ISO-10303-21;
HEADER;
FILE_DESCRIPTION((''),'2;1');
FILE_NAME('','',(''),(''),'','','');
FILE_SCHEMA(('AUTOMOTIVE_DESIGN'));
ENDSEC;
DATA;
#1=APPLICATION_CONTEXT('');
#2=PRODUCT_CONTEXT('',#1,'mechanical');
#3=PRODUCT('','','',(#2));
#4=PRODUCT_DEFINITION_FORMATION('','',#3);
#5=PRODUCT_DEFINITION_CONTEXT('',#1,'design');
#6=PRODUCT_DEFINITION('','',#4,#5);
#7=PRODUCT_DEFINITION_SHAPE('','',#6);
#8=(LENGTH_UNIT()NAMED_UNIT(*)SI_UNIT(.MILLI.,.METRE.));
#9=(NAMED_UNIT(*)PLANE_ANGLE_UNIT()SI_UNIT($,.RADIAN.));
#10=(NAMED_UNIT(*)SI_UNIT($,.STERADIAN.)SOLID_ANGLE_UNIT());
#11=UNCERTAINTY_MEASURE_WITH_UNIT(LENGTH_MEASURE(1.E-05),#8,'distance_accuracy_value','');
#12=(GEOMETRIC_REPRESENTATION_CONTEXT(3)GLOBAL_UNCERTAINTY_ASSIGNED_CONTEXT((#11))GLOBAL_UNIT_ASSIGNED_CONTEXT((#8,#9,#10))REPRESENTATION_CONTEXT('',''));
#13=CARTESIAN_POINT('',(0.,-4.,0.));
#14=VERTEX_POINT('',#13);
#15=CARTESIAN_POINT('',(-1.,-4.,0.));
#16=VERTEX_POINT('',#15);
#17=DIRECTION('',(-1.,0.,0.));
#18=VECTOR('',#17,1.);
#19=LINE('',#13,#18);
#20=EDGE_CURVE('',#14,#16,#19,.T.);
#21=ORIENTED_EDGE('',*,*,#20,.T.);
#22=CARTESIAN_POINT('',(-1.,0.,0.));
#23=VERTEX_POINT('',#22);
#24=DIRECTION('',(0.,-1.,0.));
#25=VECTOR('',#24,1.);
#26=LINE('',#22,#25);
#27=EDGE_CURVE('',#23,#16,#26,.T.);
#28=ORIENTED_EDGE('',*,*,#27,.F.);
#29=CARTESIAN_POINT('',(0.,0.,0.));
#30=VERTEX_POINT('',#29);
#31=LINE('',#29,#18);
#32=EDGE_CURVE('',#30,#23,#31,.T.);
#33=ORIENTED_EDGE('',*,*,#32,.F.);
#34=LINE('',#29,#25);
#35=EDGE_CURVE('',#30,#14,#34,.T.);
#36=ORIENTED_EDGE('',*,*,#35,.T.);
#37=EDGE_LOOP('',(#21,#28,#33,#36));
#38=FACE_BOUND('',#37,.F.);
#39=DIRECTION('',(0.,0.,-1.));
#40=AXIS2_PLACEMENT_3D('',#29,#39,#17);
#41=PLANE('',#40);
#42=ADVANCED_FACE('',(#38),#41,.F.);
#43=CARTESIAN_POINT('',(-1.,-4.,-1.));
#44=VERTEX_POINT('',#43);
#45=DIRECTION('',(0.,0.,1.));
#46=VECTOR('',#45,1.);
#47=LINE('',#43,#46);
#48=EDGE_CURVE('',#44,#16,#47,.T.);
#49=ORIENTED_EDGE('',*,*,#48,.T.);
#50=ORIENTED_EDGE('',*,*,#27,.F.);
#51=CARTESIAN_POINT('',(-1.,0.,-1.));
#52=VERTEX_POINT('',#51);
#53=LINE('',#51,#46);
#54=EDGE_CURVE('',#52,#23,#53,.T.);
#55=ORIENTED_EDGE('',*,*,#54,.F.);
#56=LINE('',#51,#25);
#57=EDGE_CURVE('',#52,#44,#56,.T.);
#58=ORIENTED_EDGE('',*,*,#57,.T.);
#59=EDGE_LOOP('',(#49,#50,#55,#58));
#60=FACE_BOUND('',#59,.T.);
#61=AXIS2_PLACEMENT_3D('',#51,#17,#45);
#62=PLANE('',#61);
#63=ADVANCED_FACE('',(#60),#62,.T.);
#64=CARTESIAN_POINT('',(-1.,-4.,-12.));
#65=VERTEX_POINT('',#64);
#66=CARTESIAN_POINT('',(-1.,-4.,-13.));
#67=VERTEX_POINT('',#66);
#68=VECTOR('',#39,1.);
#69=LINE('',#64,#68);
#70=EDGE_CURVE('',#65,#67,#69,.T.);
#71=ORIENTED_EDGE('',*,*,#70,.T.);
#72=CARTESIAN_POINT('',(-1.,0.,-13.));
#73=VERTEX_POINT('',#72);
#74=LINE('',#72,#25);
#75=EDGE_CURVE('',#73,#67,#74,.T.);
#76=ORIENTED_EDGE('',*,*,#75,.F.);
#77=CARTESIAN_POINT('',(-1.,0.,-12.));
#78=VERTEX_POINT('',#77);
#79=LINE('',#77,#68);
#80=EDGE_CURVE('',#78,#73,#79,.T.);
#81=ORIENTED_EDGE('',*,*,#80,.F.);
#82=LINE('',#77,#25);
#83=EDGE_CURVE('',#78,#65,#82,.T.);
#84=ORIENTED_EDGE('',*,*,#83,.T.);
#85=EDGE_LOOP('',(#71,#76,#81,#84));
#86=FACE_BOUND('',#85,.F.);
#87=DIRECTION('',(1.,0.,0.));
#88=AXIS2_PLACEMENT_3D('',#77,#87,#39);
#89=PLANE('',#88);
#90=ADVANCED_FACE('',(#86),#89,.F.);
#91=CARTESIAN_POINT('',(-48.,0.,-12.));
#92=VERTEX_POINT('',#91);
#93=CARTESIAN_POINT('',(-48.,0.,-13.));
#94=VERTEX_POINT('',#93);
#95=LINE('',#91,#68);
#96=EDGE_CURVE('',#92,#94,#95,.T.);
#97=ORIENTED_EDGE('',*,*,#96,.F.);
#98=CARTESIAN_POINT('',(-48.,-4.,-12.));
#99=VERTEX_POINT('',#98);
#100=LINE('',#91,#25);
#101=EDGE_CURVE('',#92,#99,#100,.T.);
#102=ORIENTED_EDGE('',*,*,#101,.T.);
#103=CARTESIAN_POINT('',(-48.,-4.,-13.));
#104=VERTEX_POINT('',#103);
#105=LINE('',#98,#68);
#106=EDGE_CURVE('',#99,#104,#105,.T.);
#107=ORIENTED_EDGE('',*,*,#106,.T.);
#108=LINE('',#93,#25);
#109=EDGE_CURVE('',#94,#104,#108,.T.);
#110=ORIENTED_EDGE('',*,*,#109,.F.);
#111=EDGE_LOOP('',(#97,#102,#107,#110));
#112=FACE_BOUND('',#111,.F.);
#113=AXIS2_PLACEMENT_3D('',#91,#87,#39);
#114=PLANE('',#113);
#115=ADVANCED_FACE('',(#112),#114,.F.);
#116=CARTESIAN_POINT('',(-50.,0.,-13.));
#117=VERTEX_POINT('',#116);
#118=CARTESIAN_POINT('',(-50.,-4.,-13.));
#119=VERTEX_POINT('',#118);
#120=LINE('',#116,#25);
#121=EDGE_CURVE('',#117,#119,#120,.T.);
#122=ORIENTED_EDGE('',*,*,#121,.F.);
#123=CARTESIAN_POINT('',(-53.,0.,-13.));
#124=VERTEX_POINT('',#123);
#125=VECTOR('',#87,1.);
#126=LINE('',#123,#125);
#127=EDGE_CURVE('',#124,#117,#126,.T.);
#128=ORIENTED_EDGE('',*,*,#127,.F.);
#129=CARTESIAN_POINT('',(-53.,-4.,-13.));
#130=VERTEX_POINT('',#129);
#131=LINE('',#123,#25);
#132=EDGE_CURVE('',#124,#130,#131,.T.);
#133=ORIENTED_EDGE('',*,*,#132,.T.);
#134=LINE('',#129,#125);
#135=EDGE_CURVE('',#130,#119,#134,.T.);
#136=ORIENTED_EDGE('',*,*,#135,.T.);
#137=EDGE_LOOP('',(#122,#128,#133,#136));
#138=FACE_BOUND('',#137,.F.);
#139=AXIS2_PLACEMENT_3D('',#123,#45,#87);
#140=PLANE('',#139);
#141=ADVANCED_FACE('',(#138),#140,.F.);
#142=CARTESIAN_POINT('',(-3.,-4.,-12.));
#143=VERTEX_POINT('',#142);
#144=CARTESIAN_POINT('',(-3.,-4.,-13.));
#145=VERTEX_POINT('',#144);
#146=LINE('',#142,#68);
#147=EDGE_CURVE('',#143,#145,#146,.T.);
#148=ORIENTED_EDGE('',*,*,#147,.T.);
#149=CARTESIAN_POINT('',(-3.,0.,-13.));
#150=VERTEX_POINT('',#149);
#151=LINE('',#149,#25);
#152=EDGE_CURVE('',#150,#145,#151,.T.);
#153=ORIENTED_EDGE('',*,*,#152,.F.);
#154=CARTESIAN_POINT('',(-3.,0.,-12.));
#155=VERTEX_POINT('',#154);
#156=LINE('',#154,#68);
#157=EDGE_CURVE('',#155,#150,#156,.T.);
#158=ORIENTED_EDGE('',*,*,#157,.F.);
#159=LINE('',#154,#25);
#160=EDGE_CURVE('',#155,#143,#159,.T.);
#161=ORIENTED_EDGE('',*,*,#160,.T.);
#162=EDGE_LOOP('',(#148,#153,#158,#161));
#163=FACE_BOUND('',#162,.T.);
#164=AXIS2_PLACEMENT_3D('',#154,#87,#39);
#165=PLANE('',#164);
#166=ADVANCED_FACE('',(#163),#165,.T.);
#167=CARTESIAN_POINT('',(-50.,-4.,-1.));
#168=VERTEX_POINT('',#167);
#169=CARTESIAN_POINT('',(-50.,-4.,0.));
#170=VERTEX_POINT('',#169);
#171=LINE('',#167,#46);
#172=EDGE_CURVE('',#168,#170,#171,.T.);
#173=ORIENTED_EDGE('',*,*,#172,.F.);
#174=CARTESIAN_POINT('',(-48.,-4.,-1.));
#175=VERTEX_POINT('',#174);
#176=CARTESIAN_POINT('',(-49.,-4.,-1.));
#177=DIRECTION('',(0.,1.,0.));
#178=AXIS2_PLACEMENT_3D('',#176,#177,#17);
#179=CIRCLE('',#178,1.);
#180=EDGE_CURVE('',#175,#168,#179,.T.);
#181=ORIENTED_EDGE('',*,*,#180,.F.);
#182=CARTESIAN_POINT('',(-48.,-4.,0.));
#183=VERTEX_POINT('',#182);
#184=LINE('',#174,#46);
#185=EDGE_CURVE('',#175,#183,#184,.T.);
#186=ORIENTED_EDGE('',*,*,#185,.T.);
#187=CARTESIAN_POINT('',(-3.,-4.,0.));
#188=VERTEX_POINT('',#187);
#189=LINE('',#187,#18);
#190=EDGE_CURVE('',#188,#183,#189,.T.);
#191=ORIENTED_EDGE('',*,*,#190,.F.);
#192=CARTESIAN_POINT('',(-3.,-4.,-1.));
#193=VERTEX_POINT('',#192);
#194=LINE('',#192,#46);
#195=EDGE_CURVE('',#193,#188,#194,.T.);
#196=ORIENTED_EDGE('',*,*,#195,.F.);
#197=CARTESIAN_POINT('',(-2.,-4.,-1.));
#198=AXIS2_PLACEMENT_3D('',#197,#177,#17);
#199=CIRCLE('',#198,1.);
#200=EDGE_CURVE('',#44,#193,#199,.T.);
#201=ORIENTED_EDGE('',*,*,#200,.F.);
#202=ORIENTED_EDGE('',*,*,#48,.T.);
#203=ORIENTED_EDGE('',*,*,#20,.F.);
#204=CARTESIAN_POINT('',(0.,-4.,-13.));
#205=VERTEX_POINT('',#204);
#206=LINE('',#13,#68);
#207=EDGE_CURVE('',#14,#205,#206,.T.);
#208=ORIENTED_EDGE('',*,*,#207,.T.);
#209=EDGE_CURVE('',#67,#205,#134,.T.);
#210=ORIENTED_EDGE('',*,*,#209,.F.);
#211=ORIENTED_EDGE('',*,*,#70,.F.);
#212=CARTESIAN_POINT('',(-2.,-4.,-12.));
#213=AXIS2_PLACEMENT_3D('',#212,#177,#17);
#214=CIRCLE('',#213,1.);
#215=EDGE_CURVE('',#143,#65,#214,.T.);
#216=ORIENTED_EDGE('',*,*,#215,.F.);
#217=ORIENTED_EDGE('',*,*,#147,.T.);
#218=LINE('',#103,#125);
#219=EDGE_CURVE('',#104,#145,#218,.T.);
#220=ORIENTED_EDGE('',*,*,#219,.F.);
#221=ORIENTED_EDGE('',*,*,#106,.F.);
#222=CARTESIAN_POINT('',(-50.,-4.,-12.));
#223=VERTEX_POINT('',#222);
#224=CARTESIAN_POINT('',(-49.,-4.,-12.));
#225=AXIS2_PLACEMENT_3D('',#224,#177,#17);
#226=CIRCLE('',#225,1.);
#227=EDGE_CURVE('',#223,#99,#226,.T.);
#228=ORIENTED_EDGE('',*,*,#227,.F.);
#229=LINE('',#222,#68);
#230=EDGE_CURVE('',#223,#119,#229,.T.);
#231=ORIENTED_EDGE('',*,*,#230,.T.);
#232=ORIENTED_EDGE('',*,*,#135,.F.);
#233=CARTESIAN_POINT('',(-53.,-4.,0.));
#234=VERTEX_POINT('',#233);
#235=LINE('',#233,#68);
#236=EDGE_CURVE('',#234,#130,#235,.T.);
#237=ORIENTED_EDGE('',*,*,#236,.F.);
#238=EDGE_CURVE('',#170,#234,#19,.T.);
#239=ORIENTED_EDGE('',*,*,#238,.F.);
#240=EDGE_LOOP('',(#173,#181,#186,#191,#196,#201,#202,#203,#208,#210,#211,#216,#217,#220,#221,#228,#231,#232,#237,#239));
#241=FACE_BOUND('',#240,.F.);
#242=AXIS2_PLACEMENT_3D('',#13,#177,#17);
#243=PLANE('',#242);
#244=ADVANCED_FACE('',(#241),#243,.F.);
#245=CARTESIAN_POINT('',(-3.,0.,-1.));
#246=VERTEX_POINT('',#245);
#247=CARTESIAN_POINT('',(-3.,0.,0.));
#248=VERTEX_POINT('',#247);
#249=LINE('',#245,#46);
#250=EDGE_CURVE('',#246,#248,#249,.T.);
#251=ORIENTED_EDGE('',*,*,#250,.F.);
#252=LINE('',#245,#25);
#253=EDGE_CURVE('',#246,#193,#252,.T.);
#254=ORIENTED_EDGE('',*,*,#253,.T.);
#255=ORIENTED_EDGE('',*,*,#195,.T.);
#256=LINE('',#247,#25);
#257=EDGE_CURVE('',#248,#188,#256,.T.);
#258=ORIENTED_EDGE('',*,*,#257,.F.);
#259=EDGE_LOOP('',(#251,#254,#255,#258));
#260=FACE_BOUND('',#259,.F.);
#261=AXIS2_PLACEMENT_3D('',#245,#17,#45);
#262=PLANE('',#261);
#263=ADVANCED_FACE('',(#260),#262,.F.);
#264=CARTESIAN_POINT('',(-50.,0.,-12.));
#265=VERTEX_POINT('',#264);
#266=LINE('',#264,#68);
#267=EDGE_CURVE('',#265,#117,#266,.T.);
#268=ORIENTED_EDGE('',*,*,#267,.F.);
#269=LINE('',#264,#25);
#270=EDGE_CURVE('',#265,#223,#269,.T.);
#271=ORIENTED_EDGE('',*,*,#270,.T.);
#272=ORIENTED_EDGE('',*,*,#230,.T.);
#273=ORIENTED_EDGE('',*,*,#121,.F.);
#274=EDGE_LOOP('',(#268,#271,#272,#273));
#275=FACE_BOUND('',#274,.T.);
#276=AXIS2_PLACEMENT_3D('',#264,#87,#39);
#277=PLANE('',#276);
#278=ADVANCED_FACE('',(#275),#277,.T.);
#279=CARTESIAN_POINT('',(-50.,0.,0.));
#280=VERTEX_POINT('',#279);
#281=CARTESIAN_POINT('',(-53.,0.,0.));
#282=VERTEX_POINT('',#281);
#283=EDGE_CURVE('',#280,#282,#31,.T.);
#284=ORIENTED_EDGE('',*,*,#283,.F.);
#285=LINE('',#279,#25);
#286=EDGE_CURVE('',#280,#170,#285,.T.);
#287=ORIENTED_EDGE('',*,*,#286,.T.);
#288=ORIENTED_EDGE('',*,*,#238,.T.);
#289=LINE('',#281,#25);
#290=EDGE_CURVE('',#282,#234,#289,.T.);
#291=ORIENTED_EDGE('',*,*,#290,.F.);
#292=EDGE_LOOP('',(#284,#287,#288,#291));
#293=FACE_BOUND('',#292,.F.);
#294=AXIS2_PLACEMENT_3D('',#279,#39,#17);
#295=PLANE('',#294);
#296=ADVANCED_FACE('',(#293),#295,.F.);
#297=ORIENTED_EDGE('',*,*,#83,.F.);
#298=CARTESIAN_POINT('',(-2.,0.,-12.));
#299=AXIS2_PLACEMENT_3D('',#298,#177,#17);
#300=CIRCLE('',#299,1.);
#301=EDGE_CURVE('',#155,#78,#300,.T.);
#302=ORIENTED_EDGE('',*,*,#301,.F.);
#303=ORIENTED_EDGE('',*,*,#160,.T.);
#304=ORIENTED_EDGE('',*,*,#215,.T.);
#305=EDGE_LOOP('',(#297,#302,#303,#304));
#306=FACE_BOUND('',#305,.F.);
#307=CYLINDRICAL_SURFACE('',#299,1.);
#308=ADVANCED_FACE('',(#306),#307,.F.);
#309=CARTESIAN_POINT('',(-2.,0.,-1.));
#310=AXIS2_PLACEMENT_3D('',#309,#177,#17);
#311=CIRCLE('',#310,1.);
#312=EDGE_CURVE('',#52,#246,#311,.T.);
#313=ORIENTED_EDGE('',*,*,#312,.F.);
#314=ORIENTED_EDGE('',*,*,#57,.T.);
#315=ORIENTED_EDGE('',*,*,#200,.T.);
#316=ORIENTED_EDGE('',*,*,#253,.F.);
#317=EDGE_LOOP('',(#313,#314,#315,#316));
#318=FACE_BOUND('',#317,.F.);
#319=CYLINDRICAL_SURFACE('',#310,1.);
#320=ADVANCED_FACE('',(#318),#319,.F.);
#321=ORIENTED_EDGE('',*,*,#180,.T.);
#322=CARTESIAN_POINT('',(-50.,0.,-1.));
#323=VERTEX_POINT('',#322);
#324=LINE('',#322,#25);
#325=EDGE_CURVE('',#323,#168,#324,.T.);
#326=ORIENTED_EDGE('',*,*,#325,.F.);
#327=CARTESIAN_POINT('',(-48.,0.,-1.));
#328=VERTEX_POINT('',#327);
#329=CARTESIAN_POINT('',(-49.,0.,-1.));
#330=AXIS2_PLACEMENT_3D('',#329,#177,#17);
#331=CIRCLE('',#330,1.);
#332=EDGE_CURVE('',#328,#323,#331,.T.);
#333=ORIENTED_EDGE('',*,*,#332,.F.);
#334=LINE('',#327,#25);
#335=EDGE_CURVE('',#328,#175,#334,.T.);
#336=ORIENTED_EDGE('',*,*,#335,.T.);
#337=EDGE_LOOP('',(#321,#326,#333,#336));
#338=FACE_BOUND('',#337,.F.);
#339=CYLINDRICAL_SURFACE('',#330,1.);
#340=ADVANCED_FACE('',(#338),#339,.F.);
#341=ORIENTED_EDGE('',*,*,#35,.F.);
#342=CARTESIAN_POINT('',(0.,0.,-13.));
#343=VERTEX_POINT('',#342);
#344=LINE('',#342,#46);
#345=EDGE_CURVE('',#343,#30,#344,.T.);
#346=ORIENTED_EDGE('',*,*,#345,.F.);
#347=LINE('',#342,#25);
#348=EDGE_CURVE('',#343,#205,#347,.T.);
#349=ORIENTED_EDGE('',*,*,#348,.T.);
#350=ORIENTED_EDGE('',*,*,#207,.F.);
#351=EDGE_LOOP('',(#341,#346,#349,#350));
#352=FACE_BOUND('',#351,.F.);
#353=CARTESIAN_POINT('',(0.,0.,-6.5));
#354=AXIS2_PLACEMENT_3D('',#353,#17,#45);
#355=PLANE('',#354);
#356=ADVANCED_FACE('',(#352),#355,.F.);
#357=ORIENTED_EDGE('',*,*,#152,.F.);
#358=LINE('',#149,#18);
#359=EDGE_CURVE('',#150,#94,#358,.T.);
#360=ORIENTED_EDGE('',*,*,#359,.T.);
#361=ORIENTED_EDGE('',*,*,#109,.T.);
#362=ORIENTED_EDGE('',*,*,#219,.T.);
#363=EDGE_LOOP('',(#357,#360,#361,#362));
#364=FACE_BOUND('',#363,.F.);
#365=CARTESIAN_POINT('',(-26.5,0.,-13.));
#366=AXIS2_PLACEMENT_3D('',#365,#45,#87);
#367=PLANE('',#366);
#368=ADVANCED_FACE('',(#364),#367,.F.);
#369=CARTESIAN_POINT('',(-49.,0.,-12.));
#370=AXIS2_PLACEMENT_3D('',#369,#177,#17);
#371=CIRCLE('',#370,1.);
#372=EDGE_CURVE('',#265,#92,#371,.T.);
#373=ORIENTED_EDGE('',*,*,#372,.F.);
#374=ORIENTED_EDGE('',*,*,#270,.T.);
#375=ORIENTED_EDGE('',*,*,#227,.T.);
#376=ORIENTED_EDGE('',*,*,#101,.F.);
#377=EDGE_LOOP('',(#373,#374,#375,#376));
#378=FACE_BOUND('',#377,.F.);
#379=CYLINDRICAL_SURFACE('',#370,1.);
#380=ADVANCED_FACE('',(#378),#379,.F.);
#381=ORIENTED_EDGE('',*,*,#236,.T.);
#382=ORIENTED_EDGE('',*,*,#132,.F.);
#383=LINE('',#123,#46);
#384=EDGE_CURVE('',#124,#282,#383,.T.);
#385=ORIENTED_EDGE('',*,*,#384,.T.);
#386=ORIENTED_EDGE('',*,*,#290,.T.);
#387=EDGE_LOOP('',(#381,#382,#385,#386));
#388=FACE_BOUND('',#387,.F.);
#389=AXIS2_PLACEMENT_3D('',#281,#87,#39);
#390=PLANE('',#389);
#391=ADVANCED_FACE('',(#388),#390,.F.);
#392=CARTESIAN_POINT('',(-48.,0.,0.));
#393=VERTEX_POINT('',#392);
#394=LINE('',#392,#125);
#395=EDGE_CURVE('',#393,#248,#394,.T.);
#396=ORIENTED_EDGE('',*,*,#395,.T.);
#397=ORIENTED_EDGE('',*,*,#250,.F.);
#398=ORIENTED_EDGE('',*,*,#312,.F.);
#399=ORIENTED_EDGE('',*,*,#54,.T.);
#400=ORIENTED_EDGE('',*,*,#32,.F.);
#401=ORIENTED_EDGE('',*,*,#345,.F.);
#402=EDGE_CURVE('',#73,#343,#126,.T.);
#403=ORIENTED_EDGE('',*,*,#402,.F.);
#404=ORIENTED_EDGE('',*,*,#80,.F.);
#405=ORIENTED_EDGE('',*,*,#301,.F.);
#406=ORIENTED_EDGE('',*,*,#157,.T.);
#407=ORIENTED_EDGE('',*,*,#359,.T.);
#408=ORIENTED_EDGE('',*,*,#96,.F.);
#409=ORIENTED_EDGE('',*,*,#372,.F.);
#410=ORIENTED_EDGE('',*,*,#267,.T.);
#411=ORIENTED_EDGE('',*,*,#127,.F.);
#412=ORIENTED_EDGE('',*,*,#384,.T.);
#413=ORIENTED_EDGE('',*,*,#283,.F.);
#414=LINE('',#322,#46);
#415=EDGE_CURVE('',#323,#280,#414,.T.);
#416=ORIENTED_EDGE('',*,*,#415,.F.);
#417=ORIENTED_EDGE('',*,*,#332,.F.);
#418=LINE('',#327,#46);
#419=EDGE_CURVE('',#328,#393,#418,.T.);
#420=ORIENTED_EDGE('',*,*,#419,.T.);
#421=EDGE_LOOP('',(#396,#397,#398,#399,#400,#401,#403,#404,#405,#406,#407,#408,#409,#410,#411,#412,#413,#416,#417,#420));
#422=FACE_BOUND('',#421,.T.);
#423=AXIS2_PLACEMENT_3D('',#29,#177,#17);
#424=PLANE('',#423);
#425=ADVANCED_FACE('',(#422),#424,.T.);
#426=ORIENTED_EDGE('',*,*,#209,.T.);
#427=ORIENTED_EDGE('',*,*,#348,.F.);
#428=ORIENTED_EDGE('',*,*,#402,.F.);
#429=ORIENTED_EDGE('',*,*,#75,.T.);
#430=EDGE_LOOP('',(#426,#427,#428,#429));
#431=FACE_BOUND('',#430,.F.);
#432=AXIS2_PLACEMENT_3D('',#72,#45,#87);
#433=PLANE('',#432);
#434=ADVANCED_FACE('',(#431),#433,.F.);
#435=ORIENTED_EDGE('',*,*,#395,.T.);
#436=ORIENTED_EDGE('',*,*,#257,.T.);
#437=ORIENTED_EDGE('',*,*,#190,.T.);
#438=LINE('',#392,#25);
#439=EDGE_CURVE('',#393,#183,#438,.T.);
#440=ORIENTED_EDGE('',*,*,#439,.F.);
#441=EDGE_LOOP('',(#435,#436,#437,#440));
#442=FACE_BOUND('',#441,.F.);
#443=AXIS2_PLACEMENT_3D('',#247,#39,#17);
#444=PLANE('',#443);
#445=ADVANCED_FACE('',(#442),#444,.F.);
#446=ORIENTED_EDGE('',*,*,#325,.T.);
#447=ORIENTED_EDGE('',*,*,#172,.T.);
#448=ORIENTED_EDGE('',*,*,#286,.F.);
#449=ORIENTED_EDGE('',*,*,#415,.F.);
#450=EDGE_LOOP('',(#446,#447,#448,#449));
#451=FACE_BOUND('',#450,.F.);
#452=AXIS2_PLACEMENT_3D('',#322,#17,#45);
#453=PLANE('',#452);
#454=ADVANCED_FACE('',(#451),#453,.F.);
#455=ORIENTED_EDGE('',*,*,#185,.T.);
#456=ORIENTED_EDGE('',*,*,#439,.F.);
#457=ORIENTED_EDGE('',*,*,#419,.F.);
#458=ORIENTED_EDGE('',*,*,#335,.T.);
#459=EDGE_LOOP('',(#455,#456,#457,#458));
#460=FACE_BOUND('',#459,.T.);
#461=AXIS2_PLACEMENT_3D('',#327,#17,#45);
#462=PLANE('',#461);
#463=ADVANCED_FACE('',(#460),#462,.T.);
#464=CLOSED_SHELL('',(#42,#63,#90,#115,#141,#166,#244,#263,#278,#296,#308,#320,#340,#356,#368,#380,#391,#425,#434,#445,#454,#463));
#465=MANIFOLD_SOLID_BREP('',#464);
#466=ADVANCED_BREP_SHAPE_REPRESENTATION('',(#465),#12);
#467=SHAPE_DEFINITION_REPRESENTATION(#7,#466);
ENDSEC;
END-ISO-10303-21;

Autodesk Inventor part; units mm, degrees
ref_plane "YZ Plane" through (0, 0, 0) normal (1, 0, 0) x (0, 1, 0)
ref_plane "XZ Plane" through (0, 0, 0) normal (0, 1, 0) x (-1, 0, 0)
ref_plane "XY Plane" through (0, 0, 0) normal (0, 0, 1) x (1, 0, 0)
sketch "Sketch1" plane through (0, 0, 0) normal (0, 1, 0) x (-1, 0, 0)
  line L0 (0, 0) -> (53, 0)
  line L1 (53, 0) -> (53, -13)
  line L2 (53, -13) -> (0, -13)
  line L3 (0, -13) -> (0, 0)
  circle A0 centre (49, -12) radius 1
  circle A1 centre (49, -1) radius 1
  line L4 (53, -6.5) -> (0, -6.5)
  line L5 (26.5, 0) -> (26.5, -13)
  circle A2 centre (2, -12) radius 1
  circle A3 centre (2, -1) radius 1
  line L6 (50, -1) -> (50, 0)
  line L7 (48, -1) -> (48, 0)
  circle A4 centre (49, -12) radius 1
  line L8 (50, -12) -> (50, -13)
  line L9 (48, -12) -> (48, -13)
  line L10 (1, -1) -> (1, 0)
  line L11 (3, -1) -> (3, 0)
  circle A5 centre (2, -12) radius 1
  line L12 (1, -12) -> (1, -13)
  line L13 (3, -12) -> (3, -13)
  point P0 (3, -12)
  point P1 (48, -12)
  dimension "d228" = 13
  dimension "d229" = 53
  dimension "d233" = 4
  dimension "d234" = 2
  dimension "d235" = 11
  dimension "d237" = 2
extrude "Extrusion1" add sketch "Sketch1" against normal blind 4 contours L0 L10 A3 L11 L5 L4 L3 | L4 L5 L2 L13 A2 L12 L3 | L5 L0 L7 A1 L6 L1 L4 | L4 L1 L2 L8 A0 L9 L5
properties part number "Langbektang houder"
